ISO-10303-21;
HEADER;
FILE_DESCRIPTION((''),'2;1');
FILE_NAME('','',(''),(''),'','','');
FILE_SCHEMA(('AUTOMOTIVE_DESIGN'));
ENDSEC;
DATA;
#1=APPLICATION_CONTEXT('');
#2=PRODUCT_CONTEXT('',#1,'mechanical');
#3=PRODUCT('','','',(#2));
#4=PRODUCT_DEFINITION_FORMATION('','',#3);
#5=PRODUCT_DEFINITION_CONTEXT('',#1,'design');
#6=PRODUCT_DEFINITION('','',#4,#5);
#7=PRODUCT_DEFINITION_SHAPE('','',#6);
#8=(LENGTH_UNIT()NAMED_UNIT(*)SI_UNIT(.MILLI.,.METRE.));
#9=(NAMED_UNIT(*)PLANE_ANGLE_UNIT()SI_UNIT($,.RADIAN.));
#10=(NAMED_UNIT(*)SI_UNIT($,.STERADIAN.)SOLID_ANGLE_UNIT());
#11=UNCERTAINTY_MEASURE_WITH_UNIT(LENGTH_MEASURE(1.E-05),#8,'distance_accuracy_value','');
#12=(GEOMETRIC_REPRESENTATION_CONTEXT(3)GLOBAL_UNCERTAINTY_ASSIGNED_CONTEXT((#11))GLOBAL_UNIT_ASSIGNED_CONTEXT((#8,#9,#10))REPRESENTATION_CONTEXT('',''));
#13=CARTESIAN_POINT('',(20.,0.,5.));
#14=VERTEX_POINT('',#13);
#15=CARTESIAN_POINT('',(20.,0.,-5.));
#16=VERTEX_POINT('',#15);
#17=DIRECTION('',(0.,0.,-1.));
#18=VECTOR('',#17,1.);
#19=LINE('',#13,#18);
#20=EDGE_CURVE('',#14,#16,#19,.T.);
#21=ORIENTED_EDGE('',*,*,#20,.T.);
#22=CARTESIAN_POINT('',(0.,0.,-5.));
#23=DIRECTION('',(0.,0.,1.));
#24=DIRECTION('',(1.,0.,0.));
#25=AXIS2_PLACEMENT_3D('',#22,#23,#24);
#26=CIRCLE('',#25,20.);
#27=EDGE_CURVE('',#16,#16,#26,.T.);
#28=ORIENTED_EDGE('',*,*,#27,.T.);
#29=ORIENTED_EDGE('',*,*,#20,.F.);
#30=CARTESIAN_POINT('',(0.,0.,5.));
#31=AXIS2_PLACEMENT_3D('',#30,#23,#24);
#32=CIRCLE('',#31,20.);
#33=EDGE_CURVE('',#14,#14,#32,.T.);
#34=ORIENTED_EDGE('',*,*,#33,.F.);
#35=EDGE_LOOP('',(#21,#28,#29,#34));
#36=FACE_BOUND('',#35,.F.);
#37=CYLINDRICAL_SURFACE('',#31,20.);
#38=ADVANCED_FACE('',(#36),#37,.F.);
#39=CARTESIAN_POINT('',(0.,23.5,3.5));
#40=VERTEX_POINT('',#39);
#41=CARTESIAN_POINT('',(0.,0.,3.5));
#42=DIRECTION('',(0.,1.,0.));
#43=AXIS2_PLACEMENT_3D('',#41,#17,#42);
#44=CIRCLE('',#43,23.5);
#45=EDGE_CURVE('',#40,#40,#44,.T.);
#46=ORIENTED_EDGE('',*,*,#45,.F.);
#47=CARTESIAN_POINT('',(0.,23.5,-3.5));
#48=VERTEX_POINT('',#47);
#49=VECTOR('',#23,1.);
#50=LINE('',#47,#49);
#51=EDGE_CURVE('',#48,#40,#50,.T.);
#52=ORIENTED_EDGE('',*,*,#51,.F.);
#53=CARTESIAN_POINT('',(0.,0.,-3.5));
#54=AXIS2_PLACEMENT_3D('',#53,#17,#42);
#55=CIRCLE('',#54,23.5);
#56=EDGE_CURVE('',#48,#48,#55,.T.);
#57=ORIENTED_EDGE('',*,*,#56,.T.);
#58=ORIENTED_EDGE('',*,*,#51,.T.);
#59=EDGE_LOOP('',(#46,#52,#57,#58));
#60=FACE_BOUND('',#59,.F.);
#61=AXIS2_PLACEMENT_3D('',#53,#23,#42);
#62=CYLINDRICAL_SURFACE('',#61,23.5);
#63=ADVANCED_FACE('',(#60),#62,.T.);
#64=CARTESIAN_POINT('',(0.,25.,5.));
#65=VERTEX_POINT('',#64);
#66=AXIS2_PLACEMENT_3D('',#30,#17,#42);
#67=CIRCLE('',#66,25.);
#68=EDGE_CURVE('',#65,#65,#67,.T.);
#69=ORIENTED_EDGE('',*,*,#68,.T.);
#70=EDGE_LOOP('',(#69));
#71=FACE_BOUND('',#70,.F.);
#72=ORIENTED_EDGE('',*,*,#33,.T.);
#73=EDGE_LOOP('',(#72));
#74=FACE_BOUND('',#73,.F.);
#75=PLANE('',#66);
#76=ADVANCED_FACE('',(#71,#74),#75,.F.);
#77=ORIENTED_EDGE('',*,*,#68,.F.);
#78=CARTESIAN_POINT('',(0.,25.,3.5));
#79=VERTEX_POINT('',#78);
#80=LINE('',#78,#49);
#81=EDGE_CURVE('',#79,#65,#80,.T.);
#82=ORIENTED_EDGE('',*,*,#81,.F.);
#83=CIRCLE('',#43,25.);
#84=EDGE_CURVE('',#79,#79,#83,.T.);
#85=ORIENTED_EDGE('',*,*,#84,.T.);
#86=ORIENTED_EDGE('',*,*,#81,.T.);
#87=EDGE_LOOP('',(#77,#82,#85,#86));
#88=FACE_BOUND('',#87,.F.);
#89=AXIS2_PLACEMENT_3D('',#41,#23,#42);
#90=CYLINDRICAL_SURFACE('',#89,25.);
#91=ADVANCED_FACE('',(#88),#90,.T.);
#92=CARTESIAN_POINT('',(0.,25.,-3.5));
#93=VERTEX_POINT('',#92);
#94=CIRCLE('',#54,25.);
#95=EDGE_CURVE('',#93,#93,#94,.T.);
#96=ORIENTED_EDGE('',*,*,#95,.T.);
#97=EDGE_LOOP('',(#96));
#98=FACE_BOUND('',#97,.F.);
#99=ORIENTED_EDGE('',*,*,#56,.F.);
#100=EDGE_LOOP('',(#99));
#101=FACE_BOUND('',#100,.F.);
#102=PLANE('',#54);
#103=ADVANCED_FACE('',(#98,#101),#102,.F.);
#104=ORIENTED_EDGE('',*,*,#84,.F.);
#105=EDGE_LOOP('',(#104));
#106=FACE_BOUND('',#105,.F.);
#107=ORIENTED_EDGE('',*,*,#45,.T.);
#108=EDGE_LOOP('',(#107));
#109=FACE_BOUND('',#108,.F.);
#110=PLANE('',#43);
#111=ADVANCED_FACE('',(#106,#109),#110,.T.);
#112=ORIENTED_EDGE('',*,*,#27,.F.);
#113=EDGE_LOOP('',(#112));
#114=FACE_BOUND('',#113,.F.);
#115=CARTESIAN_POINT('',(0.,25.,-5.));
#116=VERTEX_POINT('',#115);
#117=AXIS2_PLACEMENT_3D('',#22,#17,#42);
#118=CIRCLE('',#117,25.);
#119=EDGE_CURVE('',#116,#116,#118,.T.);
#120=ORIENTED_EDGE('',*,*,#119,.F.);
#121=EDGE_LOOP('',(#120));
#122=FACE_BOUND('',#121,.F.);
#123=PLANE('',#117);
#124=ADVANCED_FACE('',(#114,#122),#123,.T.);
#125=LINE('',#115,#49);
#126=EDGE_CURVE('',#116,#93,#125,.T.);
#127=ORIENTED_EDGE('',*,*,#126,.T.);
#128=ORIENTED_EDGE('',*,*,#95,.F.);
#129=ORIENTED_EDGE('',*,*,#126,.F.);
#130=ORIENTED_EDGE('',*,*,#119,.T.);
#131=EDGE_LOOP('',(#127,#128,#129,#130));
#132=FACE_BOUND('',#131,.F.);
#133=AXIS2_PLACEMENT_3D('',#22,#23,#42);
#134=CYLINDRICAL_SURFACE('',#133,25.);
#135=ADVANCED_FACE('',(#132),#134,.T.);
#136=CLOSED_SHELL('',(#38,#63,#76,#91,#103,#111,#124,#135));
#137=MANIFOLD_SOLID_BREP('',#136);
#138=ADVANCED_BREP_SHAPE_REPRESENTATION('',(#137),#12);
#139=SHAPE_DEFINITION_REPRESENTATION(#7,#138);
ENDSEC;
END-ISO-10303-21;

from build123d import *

# Parameters (mm, degrees)
F2_R     = 20
F3_DEPTH = 10.001


with BuildPart() as f1:
    # F0 (on Right) → F1 (revolve)
    with BuildSketch(Plane.YZ):
        Polygon((25, 5), (0, 5), (0, -5), (25, -5), (25, -3.5), (23.5, -3.5), (23.5, 3.5), (25, 3.5), align=None)
    revolve(axis=Axis((0, 0, 0), (0, 0, -1)))

    # F2 (on face) → F3 (cut, through all)
    with BuildSketch(Plane.XY.offset(5)):
        Circle(F2_R)
    extrude(amount=-F3_DEPTH, mode=Mode.SUBTRACT)


solid = f1.part
